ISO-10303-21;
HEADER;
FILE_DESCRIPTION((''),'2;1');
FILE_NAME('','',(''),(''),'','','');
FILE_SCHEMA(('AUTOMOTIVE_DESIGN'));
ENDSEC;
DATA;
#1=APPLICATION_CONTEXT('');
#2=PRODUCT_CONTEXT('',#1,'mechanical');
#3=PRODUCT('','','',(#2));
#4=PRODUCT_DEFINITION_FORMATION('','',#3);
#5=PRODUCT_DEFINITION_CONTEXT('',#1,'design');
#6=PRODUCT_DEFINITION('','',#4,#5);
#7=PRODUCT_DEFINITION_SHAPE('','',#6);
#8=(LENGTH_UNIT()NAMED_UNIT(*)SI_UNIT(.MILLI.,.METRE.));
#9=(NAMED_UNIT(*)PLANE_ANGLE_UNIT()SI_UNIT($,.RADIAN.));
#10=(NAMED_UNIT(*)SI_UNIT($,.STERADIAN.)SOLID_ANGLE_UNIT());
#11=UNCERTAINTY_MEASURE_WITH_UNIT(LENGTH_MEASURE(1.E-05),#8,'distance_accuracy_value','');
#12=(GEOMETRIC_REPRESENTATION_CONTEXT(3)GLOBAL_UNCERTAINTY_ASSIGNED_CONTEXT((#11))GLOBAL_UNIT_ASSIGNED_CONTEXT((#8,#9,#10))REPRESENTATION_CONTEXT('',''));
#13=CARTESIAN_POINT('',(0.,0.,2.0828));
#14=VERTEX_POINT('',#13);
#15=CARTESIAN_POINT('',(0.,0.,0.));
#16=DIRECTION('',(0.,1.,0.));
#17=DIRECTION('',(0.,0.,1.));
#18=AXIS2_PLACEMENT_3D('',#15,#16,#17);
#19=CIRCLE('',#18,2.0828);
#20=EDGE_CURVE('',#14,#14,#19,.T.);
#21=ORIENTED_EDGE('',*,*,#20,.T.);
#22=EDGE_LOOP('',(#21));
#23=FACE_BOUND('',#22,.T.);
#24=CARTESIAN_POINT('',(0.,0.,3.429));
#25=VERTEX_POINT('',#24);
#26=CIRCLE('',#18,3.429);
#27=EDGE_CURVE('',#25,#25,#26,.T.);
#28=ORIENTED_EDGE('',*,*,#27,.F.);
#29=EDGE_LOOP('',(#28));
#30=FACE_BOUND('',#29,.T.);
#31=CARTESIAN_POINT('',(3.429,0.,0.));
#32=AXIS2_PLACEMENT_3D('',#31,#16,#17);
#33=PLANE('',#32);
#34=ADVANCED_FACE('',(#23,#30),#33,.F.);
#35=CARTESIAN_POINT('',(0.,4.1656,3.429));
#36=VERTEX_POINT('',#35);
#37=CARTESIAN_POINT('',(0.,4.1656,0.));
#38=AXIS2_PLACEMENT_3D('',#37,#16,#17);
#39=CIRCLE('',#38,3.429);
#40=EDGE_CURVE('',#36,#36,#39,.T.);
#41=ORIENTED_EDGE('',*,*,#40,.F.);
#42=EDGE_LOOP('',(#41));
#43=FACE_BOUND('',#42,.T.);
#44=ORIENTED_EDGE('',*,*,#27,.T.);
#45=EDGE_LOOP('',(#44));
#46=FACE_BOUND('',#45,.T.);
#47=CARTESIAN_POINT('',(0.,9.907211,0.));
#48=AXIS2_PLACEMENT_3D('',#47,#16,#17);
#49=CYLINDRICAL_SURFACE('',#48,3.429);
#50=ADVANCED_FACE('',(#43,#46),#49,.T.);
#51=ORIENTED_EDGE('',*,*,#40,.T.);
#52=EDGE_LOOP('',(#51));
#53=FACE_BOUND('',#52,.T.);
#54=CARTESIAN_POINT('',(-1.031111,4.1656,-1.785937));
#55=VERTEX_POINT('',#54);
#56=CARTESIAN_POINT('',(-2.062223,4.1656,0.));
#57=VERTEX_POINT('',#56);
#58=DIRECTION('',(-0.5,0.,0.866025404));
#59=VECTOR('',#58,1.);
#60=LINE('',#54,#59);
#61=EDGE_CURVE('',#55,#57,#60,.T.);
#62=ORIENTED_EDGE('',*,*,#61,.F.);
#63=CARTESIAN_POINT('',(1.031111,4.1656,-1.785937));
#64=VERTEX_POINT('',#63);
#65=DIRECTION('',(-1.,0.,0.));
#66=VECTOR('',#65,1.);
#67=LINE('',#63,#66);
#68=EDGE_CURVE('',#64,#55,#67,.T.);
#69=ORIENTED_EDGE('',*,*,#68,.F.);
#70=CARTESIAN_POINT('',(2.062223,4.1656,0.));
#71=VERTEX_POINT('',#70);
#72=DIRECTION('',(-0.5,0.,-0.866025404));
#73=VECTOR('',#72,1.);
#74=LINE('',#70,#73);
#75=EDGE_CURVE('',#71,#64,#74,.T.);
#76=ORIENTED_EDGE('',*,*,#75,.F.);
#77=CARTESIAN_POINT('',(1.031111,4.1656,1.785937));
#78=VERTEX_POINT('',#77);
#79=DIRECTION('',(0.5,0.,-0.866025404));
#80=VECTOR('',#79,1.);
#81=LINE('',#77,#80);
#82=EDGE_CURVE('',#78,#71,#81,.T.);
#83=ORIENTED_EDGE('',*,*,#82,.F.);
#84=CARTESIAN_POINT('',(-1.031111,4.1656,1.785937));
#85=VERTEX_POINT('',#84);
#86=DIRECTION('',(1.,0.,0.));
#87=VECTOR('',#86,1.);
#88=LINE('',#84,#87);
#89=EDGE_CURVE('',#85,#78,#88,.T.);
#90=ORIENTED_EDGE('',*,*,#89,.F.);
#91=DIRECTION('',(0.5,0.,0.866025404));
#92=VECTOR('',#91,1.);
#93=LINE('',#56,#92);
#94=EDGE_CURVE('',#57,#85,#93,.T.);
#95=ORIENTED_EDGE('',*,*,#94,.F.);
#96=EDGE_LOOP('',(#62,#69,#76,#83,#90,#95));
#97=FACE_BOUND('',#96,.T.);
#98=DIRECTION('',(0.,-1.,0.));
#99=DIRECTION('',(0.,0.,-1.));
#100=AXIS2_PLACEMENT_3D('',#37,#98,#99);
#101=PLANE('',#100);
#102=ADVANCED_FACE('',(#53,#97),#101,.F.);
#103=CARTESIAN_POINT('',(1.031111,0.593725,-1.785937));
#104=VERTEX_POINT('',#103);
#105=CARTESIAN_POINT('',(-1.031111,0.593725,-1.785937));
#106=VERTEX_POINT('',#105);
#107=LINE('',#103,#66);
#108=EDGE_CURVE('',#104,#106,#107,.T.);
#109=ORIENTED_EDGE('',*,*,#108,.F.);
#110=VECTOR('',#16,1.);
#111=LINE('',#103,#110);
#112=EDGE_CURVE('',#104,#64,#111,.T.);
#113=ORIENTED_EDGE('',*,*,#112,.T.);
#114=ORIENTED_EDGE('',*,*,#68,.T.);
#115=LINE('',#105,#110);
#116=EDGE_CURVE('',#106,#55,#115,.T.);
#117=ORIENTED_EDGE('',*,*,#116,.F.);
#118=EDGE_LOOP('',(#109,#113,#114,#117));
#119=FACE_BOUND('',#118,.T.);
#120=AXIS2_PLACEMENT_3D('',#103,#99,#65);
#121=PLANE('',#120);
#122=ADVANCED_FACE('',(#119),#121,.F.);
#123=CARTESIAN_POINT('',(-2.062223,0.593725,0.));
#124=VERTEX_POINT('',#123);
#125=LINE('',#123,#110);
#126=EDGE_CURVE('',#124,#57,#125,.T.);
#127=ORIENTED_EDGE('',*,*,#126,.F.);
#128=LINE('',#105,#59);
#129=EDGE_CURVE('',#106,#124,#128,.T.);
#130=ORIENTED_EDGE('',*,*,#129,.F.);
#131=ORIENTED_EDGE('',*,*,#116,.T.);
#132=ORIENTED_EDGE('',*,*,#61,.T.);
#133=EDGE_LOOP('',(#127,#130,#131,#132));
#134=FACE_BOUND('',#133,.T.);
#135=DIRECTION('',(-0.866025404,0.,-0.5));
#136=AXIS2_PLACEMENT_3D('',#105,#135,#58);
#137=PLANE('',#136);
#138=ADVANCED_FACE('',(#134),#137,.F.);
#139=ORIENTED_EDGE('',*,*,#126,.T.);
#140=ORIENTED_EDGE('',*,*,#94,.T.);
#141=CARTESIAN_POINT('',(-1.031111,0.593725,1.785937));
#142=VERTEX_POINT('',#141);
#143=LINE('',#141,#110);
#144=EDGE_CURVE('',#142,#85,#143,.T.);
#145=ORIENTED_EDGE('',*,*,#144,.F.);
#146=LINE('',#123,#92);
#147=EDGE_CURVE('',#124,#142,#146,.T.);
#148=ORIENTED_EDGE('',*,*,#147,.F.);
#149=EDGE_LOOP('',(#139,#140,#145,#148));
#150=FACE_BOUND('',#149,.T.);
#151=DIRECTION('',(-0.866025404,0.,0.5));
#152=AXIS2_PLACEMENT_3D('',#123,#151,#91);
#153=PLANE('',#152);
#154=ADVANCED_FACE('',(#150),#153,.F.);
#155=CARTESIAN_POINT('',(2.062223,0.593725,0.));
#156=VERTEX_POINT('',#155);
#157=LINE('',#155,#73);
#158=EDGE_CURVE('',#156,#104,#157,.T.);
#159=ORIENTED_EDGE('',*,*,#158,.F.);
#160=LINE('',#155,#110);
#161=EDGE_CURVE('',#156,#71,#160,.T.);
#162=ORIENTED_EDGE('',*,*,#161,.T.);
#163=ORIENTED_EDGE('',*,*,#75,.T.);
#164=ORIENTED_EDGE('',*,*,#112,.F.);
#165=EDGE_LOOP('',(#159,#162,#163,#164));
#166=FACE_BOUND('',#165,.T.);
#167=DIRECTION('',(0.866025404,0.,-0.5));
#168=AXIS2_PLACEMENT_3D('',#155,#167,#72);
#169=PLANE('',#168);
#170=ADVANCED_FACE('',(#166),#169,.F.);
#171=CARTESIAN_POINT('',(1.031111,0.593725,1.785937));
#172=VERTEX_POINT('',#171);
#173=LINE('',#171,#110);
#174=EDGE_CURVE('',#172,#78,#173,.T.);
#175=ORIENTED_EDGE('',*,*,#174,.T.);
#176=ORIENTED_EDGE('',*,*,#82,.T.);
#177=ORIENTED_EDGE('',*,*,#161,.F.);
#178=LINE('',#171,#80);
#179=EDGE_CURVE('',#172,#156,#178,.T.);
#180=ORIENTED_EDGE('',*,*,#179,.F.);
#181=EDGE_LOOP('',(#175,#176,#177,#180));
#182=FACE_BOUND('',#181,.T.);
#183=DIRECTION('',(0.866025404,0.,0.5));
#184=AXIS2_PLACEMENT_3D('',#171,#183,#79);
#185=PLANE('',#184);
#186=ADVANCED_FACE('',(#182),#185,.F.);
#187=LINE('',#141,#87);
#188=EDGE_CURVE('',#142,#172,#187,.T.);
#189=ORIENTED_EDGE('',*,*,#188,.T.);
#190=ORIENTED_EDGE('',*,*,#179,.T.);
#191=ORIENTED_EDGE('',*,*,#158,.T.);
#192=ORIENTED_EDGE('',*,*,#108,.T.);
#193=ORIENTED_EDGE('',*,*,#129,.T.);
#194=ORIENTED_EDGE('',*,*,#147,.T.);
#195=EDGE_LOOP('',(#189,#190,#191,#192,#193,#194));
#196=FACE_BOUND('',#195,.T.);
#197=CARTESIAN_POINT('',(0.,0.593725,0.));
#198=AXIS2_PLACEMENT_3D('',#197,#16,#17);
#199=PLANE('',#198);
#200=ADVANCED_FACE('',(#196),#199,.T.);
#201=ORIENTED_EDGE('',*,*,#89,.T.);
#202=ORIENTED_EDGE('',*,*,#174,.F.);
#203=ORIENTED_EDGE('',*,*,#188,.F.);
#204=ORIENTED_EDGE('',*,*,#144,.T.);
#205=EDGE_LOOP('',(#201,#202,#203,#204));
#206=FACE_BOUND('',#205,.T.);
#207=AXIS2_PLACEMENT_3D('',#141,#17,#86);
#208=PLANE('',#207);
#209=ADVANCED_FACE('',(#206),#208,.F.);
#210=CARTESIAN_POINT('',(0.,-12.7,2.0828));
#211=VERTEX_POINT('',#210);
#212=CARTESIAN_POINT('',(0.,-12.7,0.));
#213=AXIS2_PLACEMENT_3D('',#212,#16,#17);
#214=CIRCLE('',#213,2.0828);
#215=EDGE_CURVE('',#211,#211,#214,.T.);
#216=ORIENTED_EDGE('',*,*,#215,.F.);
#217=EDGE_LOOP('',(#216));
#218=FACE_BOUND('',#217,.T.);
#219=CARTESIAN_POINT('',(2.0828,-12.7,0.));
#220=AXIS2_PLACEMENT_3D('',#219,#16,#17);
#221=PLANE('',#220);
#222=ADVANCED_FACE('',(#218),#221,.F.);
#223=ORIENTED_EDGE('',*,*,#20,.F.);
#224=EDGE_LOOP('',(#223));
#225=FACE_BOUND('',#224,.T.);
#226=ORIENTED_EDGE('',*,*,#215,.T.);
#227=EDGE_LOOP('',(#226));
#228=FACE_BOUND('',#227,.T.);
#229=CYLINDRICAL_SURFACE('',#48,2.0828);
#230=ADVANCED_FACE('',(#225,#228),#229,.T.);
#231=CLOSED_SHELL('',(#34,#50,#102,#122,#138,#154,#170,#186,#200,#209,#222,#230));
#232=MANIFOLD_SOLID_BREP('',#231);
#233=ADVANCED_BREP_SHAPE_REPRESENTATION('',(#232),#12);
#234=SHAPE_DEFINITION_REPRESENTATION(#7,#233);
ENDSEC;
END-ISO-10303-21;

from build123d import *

# Parameters (mm, degrees)
CUT_EXTRUDE1_DEPTH = 3.571875


with BuildPart() as part:
    # profiile → Base-Revolve (revolve)
    with BuildSketch(Plane.XY):
        Polygon((0, 4.1656), (3.429, 4.1656), (3.429, 0), (2.0828, 0), (2.0828, -12.7), (0, -12.7), align=None)
    revolve(axis=Axis((0, 9.907210965, 0), (0, -1, 0)))

    # Sketch1 → Cut-Extrude1 (cut)
    with BuildSketch(Plane(origin=(0, 4.1656, 0), x_dir=(1, 0, 0), z_dir=(0, 1, 0))):
        Polygon((2.062222993, 0), (1.031111496, 1.7859375), (-1.031111496, 1.7859375), (-2.062222993, 0), (-1.031111496, -1.7859375), (1.031111496, -1.7859375), align=None)
    extrude(amount=-CUT_EXTRUDE1_DEPTH, mode=Mode.SUBTRACT)


solid = part.part
